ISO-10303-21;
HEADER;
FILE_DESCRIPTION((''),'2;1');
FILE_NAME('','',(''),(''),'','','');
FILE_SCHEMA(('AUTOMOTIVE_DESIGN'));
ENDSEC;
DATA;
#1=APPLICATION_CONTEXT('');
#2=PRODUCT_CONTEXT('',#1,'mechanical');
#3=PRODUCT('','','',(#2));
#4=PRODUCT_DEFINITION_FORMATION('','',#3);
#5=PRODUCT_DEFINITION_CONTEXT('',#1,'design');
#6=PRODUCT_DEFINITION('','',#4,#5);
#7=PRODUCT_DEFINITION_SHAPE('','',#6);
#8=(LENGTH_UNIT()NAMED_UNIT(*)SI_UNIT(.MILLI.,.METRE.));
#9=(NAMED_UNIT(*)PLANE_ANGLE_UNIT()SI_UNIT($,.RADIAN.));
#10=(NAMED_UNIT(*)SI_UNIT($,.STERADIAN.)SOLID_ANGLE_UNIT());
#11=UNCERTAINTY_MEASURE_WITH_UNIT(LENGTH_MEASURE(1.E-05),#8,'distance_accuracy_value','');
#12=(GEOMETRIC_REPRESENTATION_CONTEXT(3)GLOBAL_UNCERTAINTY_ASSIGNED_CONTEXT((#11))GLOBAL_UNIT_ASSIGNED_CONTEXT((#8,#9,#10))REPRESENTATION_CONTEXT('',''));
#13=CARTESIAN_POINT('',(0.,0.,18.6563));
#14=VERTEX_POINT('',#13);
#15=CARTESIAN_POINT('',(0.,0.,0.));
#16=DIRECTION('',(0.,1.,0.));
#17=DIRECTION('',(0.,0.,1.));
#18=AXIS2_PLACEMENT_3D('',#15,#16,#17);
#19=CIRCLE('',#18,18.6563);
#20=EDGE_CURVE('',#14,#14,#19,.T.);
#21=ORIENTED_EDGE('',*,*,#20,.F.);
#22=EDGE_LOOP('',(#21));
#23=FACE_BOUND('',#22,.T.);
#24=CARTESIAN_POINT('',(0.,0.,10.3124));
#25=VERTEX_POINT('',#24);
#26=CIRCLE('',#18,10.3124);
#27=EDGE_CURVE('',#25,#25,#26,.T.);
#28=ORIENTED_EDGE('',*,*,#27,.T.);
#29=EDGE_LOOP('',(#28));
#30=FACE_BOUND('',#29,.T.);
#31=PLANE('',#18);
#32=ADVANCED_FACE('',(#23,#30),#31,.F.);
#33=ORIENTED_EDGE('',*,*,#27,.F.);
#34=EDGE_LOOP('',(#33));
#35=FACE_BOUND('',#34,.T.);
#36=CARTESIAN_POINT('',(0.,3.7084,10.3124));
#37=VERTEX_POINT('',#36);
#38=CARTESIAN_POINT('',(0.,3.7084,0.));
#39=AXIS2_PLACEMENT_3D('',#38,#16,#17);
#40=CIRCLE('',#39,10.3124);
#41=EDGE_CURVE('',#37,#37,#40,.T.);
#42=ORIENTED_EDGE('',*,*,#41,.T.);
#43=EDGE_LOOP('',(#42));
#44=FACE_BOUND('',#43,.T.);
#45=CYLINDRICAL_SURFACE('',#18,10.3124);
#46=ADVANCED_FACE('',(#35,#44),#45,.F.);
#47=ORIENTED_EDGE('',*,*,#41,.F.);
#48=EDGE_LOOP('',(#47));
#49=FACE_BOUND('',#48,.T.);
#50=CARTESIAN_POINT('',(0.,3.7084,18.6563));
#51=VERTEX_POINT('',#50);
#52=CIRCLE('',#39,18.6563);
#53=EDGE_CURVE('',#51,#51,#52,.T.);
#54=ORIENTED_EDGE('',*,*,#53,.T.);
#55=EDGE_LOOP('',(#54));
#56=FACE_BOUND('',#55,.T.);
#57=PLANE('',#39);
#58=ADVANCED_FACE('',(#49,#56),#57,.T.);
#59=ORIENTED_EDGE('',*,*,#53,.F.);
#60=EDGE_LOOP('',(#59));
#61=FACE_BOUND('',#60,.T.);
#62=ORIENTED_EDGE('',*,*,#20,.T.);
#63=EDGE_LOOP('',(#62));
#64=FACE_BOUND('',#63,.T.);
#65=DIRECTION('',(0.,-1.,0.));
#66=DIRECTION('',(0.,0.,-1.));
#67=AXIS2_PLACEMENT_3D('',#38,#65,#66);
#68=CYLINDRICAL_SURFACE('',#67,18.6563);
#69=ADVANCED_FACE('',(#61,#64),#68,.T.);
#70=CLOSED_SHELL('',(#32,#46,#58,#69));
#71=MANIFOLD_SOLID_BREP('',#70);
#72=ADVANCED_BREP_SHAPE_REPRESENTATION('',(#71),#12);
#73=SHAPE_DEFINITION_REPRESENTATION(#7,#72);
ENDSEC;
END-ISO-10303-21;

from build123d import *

# Parameters (mm, degrees)
SKETCH1_R           = 18.6563
BOSS_EXTRUDE1_DEPTH = 3.7084
SKETCH5_R           = 10.3124
CUT_EXTRUDE1_DEPTH  = 4.7084


with BuildPart() as part:
    # Sketch1 → Boss-Extrude1 (new body)
    with BuildSketch(Plane(origin=(0, 0, 0), x_dir=(1, 0, 0), z_dir=(0, 1, 0))):
        Circle(SKETCH1_R)
    extrude(amount=BOSS_EXTRUDE1_DEPTH)

    # Sketch5 → Cut-Extrude1 (cut, through all)
    with BuildSketch(Plane(origin=(0, 3.7084, 0), x_dir=(-1, 0, 0), z_dir=(0, 1, 0))):
        Circle(SKETCH5_R)
    extrude(amount=-CUT_EXTRUDE1_DEPTH, mode=Mode.SUBTRACT)


solid = part.part
